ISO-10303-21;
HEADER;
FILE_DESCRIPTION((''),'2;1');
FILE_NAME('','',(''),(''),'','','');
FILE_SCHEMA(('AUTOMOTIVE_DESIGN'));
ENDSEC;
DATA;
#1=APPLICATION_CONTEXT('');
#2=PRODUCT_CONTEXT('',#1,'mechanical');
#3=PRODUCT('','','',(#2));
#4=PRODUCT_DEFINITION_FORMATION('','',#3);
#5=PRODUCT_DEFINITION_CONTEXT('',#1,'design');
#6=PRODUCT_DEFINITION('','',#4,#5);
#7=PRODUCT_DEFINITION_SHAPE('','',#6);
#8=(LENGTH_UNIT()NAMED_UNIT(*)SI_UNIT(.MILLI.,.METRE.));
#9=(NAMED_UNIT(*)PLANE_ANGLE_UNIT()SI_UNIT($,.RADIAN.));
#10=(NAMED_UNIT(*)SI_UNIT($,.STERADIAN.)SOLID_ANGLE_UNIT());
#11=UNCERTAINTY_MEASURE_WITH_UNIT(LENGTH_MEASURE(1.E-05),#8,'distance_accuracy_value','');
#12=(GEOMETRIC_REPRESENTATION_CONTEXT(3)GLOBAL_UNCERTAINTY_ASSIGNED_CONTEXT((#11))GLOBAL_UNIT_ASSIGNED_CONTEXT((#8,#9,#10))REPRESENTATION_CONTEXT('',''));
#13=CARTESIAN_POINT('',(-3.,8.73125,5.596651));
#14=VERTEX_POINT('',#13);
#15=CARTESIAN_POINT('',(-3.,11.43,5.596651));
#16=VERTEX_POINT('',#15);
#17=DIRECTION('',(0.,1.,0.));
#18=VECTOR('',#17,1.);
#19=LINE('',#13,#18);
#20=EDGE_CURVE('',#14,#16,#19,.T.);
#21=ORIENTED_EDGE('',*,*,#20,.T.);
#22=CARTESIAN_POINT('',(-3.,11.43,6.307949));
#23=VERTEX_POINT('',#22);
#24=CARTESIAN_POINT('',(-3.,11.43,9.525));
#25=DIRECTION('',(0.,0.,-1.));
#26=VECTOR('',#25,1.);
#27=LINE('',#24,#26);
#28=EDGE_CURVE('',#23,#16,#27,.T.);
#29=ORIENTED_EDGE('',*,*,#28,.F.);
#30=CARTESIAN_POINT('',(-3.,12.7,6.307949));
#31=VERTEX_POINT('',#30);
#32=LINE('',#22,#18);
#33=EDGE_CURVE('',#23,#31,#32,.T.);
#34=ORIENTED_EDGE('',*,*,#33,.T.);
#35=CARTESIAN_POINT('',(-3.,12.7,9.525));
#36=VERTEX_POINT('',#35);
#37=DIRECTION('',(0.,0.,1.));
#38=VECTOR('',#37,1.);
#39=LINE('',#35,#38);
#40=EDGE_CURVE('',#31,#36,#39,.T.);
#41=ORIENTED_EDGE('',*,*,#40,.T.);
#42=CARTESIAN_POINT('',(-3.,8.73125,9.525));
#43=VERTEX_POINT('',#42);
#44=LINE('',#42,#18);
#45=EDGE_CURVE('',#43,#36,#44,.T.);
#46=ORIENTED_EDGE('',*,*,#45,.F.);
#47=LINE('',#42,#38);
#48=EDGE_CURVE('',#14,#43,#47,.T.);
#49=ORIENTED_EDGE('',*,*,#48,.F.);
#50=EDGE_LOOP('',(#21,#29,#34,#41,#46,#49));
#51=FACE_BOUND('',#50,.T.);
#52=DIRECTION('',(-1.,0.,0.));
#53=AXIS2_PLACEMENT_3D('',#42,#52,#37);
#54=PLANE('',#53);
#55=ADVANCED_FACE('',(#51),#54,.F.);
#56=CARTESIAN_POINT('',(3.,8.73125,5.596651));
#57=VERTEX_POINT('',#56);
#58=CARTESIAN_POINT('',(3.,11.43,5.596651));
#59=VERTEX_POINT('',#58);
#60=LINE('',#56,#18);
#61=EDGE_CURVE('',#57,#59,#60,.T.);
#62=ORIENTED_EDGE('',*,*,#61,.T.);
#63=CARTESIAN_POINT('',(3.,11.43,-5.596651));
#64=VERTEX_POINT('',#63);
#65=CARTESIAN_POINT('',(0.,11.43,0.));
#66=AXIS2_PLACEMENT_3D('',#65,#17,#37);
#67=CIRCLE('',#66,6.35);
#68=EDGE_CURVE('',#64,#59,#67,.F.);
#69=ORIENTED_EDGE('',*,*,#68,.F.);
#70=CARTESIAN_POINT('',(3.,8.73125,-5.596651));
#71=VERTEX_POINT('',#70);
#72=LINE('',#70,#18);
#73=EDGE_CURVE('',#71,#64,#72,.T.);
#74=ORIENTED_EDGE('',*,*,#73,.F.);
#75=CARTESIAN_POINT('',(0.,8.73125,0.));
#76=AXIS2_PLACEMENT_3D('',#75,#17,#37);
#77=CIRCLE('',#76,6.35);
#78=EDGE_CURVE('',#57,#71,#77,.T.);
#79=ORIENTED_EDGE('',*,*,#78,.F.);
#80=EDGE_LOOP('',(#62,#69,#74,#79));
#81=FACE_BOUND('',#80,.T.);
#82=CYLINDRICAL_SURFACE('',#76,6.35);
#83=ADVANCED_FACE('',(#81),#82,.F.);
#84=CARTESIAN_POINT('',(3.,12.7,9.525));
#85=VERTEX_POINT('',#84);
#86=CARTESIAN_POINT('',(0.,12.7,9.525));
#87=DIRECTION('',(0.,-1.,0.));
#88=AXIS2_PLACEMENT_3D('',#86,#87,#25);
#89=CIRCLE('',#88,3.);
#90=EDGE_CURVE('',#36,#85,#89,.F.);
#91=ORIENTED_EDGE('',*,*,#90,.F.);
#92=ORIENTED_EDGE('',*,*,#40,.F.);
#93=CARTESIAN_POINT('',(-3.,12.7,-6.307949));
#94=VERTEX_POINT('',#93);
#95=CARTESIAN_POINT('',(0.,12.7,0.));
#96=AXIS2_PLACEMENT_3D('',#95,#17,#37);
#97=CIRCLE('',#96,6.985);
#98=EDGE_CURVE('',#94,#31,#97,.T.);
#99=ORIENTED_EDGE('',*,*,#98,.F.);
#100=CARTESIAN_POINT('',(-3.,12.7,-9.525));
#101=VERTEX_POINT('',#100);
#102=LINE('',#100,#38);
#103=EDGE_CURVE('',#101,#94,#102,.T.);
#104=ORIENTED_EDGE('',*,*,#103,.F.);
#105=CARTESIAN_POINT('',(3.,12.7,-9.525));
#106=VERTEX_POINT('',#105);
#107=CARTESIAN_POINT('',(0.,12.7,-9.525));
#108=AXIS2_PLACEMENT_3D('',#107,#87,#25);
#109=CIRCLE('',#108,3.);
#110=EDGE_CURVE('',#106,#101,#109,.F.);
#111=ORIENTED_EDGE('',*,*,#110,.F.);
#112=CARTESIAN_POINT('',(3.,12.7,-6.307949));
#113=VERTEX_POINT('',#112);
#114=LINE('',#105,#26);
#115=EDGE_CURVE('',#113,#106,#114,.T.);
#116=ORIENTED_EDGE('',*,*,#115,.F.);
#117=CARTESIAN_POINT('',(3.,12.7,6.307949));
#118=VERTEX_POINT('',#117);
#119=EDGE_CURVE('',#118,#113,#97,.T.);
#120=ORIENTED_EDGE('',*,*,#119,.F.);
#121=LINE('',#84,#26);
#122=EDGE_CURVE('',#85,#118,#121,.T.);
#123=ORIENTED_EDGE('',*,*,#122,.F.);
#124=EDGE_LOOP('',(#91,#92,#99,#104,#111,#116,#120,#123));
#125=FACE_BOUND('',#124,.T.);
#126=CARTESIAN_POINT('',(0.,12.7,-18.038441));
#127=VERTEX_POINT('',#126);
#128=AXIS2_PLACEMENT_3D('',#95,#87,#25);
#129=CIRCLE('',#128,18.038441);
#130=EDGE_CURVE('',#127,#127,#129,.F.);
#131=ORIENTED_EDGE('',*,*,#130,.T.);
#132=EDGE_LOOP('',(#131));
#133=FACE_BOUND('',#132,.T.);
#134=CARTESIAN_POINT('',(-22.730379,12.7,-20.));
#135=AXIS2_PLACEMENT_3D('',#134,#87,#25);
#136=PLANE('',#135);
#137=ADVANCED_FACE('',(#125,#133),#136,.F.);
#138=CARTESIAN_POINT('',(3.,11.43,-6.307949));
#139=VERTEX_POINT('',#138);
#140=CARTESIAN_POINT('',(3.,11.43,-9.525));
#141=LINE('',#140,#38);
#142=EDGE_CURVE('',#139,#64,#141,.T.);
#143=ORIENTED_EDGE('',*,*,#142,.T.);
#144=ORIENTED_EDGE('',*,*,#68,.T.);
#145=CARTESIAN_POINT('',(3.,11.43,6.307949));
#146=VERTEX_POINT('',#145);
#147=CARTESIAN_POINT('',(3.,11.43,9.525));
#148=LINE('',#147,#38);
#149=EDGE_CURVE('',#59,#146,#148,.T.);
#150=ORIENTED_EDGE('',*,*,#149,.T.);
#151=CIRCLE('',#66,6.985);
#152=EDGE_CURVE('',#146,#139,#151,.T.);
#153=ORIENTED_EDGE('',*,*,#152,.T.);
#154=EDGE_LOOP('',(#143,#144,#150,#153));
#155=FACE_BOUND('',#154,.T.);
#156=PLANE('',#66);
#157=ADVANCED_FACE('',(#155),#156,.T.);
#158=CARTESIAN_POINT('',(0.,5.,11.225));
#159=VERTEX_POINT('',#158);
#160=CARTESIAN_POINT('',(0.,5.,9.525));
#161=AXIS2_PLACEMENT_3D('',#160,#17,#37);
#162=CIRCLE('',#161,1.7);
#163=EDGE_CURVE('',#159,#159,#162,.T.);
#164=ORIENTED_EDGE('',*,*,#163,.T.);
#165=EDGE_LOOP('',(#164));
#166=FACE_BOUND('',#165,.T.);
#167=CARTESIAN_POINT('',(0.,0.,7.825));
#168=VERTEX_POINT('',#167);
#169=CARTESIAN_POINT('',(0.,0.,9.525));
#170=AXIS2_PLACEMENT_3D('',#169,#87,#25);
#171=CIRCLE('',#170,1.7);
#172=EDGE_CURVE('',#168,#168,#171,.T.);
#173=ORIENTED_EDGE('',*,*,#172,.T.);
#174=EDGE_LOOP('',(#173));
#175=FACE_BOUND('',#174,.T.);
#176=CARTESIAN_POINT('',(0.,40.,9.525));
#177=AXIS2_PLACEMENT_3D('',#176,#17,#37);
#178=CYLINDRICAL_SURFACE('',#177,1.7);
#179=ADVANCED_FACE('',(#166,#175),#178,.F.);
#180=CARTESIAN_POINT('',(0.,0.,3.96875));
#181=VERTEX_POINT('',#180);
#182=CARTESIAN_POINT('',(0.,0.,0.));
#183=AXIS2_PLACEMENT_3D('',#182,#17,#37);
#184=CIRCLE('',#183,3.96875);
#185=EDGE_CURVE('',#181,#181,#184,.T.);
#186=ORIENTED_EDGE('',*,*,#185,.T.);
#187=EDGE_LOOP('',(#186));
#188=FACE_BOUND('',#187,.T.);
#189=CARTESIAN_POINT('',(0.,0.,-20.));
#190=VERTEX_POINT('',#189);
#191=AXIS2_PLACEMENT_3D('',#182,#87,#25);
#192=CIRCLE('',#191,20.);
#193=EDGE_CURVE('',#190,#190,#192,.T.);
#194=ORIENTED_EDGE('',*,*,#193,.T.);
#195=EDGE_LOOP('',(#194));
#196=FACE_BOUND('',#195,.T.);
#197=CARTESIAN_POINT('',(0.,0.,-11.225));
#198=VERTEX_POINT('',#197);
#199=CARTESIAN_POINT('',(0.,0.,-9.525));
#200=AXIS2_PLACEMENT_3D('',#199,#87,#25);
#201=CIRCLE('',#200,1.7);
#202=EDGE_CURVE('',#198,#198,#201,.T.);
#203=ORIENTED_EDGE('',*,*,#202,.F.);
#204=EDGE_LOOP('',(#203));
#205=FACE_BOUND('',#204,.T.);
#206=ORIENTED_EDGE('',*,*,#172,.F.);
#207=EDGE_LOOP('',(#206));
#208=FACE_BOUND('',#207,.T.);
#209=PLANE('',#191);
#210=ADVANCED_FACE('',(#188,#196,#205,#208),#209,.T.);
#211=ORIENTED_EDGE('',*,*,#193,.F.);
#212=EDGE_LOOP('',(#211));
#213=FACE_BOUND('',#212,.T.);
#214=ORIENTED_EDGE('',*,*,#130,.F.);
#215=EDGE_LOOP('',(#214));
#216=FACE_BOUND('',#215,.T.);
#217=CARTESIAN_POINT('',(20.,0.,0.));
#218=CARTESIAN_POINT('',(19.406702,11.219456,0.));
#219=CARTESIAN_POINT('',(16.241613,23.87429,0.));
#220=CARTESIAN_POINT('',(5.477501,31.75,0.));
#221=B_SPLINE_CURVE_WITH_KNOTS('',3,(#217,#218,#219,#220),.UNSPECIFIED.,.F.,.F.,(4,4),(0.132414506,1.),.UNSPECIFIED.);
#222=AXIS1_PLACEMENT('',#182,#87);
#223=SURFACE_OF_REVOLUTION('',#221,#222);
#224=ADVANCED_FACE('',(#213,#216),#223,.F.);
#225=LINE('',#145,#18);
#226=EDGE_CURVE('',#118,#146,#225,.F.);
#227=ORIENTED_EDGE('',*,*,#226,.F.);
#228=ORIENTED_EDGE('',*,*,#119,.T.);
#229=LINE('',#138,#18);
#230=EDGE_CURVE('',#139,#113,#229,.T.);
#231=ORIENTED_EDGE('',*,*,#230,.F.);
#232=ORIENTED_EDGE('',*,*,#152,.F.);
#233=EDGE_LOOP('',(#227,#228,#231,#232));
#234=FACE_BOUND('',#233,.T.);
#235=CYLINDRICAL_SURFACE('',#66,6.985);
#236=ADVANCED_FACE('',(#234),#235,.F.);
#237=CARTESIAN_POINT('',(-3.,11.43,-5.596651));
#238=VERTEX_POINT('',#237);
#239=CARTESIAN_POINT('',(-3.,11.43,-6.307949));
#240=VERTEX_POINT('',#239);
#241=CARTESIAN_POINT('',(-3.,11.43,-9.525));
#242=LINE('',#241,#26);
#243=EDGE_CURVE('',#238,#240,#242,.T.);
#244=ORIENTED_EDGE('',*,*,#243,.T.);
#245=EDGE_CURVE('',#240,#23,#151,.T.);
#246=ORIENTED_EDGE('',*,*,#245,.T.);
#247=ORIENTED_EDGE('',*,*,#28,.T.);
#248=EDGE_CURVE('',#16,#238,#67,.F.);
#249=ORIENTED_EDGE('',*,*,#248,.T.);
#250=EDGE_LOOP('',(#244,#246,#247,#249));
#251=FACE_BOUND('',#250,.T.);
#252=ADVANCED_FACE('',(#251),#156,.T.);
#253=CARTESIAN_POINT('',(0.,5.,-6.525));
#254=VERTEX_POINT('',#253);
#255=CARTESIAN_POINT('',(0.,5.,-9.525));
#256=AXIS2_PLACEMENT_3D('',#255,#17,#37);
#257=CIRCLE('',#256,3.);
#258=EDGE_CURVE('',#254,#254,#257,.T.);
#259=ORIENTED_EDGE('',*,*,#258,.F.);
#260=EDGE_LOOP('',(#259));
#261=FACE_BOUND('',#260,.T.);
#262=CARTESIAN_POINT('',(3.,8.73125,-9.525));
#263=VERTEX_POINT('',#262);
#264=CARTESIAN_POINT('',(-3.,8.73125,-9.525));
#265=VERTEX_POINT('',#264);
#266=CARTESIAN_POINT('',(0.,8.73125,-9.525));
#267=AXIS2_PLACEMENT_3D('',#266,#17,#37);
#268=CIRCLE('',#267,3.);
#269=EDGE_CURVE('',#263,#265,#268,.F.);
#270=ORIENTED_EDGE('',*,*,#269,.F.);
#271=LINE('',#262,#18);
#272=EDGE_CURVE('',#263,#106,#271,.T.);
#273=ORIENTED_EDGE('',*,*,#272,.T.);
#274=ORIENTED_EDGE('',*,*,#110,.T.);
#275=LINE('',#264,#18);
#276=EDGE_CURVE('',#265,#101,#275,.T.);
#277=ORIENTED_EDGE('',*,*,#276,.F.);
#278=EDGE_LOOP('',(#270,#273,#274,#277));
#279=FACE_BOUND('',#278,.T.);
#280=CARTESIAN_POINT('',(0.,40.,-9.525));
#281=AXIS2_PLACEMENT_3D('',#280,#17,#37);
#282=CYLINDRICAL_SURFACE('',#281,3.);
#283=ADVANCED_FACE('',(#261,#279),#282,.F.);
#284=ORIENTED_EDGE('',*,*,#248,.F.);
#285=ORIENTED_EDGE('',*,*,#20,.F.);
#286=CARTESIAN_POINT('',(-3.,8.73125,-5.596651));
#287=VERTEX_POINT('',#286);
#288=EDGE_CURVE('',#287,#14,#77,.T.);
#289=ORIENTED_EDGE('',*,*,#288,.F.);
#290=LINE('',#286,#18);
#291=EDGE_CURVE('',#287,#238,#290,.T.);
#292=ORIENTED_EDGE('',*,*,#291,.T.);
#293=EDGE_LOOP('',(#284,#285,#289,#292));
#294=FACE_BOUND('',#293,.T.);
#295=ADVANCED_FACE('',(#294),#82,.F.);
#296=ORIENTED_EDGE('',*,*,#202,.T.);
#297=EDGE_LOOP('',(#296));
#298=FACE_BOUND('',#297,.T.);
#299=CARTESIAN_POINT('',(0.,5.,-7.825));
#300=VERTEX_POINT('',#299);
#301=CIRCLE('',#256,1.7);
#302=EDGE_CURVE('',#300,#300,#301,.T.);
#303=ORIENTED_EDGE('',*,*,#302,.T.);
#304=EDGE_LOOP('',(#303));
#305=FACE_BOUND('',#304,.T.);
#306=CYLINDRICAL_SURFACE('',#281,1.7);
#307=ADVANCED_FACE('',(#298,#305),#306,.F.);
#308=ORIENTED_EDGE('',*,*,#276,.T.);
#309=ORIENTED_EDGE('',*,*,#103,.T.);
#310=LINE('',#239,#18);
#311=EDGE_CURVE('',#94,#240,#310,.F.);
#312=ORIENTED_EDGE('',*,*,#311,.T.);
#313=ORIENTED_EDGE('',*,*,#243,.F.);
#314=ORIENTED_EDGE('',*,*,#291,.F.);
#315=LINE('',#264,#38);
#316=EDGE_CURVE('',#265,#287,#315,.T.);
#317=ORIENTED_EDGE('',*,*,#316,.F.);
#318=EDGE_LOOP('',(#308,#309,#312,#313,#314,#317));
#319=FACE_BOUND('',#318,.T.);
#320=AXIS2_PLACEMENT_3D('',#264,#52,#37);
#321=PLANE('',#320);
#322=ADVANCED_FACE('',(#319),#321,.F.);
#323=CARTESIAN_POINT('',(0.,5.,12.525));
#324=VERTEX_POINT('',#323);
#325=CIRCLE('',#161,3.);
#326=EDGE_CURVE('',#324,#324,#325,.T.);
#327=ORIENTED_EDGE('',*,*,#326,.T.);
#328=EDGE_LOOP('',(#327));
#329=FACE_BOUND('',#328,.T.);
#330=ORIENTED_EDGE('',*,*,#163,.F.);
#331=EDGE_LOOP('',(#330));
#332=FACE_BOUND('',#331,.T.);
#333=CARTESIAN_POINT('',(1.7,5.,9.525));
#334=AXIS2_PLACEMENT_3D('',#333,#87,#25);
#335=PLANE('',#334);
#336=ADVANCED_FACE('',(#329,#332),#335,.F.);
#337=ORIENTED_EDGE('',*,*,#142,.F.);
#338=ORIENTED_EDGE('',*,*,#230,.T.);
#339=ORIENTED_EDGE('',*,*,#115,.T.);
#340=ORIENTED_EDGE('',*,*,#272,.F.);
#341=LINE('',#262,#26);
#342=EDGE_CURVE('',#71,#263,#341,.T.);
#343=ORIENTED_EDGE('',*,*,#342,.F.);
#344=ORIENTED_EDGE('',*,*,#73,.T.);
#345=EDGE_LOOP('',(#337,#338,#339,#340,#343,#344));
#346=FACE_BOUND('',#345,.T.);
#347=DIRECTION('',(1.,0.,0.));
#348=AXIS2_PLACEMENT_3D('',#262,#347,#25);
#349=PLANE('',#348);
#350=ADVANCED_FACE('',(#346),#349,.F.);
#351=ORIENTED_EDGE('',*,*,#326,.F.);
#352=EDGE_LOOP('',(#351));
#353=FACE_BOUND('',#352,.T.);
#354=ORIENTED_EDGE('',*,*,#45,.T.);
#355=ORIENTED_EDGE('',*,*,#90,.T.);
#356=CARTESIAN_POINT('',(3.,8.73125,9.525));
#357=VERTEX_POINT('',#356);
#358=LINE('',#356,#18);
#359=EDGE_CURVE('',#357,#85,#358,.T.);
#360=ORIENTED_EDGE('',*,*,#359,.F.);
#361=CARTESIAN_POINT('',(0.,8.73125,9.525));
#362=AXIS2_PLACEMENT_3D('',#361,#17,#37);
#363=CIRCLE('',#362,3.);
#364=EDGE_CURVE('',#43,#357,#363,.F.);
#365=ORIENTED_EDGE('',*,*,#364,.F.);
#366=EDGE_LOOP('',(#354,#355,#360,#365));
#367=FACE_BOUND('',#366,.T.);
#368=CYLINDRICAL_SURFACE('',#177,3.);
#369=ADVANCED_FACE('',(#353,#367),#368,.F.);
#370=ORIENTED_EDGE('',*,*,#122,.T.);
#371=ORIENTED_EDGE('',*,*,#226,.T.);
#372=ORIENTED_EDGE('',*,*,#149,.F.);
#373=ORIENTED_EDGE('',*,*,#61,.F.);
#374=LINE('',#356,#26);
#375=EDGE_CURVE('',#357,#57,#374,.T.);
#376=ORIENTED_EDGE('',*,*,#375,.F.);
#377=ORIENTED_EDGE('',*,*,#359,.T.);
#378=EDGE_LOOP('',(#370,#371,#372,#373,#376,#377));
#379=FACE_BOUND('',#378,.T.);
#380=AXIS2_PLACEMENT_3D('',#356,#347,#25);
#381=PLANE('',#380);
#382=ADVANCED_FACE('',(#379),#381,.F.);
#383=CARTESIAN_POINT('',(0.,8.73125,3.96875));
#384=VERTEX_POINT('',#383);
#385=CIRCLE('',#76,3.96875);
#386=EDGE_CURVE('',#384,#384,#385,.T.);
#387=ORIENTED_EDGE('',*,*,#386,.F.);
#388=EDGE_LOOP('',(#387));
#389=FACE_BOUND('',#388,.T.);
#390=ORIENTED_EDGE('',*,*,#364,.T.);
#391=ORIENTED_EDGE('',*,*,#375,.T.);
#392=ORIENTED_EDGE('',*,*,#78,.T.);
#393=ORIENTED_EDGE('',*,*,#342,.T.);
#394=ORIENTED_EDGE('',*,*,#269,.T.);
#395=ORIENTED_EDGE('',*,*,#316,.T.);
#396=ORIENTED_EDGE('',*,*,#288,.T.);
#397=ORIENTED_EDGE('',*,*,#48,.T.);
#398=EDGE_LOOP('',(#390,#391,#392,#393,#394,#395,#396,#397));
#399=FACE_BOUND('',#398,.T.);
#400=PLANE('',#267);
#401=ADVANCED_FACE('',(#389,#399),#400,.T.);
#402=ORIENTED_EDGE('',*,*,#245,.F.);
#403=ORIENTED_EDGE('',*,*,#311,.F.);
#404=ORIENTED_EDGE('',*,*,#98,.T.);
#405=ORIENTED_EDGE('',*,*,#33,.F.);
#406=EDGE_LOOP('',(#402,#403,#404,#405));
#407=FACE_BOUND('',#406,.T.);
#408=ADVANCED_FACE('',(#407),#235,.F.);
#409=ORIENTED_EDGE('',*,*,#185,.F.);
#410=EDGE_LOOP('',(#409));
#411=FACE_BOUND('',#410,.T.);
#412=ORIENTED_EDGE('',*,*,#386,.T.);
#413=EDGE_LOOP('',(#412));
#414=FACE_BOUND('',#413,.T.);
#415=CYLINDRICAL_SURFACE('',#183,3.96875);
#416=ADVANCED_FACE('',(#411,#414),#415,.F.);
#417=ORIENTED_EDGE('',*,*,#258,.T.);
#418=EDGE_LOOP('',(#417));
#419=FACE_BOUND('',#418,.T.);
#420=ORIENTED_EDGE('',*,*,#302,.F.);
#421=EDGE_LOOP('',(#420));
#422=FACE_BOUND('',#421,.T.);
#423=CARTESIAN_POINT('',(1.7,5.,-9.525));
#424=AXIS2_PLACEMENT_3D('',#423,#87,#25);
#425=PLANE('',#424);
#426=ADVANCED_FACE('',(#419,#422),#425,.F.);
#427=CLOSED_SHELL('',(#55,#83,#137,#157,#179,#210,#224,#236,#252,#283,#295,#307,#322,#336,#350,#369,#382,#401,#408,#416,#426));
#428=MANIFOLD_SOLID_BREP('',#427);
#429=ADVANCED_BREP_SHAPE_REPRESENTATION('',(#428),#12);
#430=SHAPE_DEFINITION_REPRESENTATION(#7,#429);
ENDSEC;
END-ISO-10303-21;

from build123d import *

# Parameters (mm, degrees)
CBORE_FOR_M3_HEX_HEAD_BOLT1_D           = 3.4
CBORE_FOR_M3_HEX_HEAD_BOLT1_CBORE_D     = 6
CBORE_FOR_M3_HEX_HEAD_BOLT1_CBORE_DEPTH = 35
CUT_EXTRUDE1_DEPTH                      = 43.521318352
CUT_EXTRUDE1_DEPTH_BACK                 = 43.521318352
SKETCH1_W                               = 45.460757026
SKETCH1_H                               = 38.1
CUT_EXTRUDE2_DEPTH                      = 3.96875
SKETCH3_R                               = 6.985
CUT_EXTRUDE3_DEPTH                      = 1.27
SKETCH4_R                               = 3.96875
CUT_EXTRUDE4_DEPTH                      = 30.601262411


with BuildPart() as part:
    # 草图1 → 旋转1 (revolve)
    with BuildSketch(Plane.XY):
        with BuildLine():
            Line((0, 0), (0, 31.75))
            Line((0, 31.75), (5.477501396, 31.75))
            add(Edge.make_bspline(
                [(5.477501396, 31.75), (16.24161295, 23.874290145), (19.406701728, 11.219456234), (20, 0)],
                knots=[0.132414506, 0.132414506, 0.132414506, 0.132414506, 1, 1, 1, 1], degree=3))
            Line((20, 0), (0, 0))
        make_face()
    revolve(axis=Axis((0, 0, 0), (0, 1, 0)))

    # CBORE for M3 Hex Head Bolt1 (through all)
    with Locations(Plane(origin=(0, 40, 0), x_dir=(-1, 0, 0), z_dir=(0, 1, 0))):
        with Locations((0, -9.525), (0, 9.525)):
            CounterBoreHole(CBORE_FOR_M3_HEX_HEAD_BOLT1_D / 2, CBORE_FOR_M3_HEX_HEAD_BOLT1_CBORE_D / 2, CBORE_FOR_M3_HEX_HEAD_BOLT1_CBORE_DEPTH)

    # Sketch1 → Cut-Extrude1 (cut, two sides: drawn at the far end of the back side and taken through both)
    with BuildSketch(Plane.XY.offset(-CUT_EXTRUDE1_DEPTH_BACK)):
        with Locations((0, 31.75)):
            Rectangle(SKETCH1_W, SKETCH1_H)
    extrude(amount=CUT_EXTRUDE1_DEPTH + CUT_EXTRUDE1_DEPTH_BACK, mode=Mode.SUBTRACT)

    # Sketch2 → Cut-Extrude2 (cut)
    with BuildSketch(Plane(origin=(0, 12.7, 0), x_dir=(1, 0, 0), z_dir=(0, 1, 0))):
        with BuildLine():
            Line((-3, 9.525), (-3, 5.596650784))
            ThreePointArc((-3, 5.596650784), (-6.35, 0), (-3, -5.596650784))
            Line((-3, -5.596650784), (-3, -9.525))
            ThreePointArc((-3, -9.525), (0, -12.525), (3, -9.525))
            Line((3, -9.525), (3, -5.596650784))
            ThreePointArc((3, -5.596650784), (6.35, 0), (3, 5.596650784))
            Line((3, 5.596650784), (3, 9.525))
            ThreePointArc((3, 9.525), (0, 12.525), (-3, 9.525))
        make_face()
    extrude(amount=-CUT_EXTRUDE2_DEPTH, mode=Mode.SUBTRACT)

    # Sketch3 → Cut-Extrude3 (cut)
    with BuildSketch(Plane(origin=(0, 12.7, 0), x_dir=(1, 0, 0), z_dir=(0, 1, 0))):
        Circle(SKETCH3_R)
    extrude(amount=-CUT_EXTRUDE3_DEPTH, mode=Mode.SUBTRACT)

    # Sketch4 → Cut-Extrude4 (cut, through all)
    with BuildSketch(Plane(origin=(0, 8.73125, 0), x_dir=(1, 0, 0), z_dir=(0, 1, 0))):
        with Locations(Location((0, 0, 0), (0, 0, 270))):
            Circle(SKETCH4_R)
    extrude(amount=-CUT_EXTRUDE4_DEPTH, mode=Mode.SUBTRACT)


solid = part.part
